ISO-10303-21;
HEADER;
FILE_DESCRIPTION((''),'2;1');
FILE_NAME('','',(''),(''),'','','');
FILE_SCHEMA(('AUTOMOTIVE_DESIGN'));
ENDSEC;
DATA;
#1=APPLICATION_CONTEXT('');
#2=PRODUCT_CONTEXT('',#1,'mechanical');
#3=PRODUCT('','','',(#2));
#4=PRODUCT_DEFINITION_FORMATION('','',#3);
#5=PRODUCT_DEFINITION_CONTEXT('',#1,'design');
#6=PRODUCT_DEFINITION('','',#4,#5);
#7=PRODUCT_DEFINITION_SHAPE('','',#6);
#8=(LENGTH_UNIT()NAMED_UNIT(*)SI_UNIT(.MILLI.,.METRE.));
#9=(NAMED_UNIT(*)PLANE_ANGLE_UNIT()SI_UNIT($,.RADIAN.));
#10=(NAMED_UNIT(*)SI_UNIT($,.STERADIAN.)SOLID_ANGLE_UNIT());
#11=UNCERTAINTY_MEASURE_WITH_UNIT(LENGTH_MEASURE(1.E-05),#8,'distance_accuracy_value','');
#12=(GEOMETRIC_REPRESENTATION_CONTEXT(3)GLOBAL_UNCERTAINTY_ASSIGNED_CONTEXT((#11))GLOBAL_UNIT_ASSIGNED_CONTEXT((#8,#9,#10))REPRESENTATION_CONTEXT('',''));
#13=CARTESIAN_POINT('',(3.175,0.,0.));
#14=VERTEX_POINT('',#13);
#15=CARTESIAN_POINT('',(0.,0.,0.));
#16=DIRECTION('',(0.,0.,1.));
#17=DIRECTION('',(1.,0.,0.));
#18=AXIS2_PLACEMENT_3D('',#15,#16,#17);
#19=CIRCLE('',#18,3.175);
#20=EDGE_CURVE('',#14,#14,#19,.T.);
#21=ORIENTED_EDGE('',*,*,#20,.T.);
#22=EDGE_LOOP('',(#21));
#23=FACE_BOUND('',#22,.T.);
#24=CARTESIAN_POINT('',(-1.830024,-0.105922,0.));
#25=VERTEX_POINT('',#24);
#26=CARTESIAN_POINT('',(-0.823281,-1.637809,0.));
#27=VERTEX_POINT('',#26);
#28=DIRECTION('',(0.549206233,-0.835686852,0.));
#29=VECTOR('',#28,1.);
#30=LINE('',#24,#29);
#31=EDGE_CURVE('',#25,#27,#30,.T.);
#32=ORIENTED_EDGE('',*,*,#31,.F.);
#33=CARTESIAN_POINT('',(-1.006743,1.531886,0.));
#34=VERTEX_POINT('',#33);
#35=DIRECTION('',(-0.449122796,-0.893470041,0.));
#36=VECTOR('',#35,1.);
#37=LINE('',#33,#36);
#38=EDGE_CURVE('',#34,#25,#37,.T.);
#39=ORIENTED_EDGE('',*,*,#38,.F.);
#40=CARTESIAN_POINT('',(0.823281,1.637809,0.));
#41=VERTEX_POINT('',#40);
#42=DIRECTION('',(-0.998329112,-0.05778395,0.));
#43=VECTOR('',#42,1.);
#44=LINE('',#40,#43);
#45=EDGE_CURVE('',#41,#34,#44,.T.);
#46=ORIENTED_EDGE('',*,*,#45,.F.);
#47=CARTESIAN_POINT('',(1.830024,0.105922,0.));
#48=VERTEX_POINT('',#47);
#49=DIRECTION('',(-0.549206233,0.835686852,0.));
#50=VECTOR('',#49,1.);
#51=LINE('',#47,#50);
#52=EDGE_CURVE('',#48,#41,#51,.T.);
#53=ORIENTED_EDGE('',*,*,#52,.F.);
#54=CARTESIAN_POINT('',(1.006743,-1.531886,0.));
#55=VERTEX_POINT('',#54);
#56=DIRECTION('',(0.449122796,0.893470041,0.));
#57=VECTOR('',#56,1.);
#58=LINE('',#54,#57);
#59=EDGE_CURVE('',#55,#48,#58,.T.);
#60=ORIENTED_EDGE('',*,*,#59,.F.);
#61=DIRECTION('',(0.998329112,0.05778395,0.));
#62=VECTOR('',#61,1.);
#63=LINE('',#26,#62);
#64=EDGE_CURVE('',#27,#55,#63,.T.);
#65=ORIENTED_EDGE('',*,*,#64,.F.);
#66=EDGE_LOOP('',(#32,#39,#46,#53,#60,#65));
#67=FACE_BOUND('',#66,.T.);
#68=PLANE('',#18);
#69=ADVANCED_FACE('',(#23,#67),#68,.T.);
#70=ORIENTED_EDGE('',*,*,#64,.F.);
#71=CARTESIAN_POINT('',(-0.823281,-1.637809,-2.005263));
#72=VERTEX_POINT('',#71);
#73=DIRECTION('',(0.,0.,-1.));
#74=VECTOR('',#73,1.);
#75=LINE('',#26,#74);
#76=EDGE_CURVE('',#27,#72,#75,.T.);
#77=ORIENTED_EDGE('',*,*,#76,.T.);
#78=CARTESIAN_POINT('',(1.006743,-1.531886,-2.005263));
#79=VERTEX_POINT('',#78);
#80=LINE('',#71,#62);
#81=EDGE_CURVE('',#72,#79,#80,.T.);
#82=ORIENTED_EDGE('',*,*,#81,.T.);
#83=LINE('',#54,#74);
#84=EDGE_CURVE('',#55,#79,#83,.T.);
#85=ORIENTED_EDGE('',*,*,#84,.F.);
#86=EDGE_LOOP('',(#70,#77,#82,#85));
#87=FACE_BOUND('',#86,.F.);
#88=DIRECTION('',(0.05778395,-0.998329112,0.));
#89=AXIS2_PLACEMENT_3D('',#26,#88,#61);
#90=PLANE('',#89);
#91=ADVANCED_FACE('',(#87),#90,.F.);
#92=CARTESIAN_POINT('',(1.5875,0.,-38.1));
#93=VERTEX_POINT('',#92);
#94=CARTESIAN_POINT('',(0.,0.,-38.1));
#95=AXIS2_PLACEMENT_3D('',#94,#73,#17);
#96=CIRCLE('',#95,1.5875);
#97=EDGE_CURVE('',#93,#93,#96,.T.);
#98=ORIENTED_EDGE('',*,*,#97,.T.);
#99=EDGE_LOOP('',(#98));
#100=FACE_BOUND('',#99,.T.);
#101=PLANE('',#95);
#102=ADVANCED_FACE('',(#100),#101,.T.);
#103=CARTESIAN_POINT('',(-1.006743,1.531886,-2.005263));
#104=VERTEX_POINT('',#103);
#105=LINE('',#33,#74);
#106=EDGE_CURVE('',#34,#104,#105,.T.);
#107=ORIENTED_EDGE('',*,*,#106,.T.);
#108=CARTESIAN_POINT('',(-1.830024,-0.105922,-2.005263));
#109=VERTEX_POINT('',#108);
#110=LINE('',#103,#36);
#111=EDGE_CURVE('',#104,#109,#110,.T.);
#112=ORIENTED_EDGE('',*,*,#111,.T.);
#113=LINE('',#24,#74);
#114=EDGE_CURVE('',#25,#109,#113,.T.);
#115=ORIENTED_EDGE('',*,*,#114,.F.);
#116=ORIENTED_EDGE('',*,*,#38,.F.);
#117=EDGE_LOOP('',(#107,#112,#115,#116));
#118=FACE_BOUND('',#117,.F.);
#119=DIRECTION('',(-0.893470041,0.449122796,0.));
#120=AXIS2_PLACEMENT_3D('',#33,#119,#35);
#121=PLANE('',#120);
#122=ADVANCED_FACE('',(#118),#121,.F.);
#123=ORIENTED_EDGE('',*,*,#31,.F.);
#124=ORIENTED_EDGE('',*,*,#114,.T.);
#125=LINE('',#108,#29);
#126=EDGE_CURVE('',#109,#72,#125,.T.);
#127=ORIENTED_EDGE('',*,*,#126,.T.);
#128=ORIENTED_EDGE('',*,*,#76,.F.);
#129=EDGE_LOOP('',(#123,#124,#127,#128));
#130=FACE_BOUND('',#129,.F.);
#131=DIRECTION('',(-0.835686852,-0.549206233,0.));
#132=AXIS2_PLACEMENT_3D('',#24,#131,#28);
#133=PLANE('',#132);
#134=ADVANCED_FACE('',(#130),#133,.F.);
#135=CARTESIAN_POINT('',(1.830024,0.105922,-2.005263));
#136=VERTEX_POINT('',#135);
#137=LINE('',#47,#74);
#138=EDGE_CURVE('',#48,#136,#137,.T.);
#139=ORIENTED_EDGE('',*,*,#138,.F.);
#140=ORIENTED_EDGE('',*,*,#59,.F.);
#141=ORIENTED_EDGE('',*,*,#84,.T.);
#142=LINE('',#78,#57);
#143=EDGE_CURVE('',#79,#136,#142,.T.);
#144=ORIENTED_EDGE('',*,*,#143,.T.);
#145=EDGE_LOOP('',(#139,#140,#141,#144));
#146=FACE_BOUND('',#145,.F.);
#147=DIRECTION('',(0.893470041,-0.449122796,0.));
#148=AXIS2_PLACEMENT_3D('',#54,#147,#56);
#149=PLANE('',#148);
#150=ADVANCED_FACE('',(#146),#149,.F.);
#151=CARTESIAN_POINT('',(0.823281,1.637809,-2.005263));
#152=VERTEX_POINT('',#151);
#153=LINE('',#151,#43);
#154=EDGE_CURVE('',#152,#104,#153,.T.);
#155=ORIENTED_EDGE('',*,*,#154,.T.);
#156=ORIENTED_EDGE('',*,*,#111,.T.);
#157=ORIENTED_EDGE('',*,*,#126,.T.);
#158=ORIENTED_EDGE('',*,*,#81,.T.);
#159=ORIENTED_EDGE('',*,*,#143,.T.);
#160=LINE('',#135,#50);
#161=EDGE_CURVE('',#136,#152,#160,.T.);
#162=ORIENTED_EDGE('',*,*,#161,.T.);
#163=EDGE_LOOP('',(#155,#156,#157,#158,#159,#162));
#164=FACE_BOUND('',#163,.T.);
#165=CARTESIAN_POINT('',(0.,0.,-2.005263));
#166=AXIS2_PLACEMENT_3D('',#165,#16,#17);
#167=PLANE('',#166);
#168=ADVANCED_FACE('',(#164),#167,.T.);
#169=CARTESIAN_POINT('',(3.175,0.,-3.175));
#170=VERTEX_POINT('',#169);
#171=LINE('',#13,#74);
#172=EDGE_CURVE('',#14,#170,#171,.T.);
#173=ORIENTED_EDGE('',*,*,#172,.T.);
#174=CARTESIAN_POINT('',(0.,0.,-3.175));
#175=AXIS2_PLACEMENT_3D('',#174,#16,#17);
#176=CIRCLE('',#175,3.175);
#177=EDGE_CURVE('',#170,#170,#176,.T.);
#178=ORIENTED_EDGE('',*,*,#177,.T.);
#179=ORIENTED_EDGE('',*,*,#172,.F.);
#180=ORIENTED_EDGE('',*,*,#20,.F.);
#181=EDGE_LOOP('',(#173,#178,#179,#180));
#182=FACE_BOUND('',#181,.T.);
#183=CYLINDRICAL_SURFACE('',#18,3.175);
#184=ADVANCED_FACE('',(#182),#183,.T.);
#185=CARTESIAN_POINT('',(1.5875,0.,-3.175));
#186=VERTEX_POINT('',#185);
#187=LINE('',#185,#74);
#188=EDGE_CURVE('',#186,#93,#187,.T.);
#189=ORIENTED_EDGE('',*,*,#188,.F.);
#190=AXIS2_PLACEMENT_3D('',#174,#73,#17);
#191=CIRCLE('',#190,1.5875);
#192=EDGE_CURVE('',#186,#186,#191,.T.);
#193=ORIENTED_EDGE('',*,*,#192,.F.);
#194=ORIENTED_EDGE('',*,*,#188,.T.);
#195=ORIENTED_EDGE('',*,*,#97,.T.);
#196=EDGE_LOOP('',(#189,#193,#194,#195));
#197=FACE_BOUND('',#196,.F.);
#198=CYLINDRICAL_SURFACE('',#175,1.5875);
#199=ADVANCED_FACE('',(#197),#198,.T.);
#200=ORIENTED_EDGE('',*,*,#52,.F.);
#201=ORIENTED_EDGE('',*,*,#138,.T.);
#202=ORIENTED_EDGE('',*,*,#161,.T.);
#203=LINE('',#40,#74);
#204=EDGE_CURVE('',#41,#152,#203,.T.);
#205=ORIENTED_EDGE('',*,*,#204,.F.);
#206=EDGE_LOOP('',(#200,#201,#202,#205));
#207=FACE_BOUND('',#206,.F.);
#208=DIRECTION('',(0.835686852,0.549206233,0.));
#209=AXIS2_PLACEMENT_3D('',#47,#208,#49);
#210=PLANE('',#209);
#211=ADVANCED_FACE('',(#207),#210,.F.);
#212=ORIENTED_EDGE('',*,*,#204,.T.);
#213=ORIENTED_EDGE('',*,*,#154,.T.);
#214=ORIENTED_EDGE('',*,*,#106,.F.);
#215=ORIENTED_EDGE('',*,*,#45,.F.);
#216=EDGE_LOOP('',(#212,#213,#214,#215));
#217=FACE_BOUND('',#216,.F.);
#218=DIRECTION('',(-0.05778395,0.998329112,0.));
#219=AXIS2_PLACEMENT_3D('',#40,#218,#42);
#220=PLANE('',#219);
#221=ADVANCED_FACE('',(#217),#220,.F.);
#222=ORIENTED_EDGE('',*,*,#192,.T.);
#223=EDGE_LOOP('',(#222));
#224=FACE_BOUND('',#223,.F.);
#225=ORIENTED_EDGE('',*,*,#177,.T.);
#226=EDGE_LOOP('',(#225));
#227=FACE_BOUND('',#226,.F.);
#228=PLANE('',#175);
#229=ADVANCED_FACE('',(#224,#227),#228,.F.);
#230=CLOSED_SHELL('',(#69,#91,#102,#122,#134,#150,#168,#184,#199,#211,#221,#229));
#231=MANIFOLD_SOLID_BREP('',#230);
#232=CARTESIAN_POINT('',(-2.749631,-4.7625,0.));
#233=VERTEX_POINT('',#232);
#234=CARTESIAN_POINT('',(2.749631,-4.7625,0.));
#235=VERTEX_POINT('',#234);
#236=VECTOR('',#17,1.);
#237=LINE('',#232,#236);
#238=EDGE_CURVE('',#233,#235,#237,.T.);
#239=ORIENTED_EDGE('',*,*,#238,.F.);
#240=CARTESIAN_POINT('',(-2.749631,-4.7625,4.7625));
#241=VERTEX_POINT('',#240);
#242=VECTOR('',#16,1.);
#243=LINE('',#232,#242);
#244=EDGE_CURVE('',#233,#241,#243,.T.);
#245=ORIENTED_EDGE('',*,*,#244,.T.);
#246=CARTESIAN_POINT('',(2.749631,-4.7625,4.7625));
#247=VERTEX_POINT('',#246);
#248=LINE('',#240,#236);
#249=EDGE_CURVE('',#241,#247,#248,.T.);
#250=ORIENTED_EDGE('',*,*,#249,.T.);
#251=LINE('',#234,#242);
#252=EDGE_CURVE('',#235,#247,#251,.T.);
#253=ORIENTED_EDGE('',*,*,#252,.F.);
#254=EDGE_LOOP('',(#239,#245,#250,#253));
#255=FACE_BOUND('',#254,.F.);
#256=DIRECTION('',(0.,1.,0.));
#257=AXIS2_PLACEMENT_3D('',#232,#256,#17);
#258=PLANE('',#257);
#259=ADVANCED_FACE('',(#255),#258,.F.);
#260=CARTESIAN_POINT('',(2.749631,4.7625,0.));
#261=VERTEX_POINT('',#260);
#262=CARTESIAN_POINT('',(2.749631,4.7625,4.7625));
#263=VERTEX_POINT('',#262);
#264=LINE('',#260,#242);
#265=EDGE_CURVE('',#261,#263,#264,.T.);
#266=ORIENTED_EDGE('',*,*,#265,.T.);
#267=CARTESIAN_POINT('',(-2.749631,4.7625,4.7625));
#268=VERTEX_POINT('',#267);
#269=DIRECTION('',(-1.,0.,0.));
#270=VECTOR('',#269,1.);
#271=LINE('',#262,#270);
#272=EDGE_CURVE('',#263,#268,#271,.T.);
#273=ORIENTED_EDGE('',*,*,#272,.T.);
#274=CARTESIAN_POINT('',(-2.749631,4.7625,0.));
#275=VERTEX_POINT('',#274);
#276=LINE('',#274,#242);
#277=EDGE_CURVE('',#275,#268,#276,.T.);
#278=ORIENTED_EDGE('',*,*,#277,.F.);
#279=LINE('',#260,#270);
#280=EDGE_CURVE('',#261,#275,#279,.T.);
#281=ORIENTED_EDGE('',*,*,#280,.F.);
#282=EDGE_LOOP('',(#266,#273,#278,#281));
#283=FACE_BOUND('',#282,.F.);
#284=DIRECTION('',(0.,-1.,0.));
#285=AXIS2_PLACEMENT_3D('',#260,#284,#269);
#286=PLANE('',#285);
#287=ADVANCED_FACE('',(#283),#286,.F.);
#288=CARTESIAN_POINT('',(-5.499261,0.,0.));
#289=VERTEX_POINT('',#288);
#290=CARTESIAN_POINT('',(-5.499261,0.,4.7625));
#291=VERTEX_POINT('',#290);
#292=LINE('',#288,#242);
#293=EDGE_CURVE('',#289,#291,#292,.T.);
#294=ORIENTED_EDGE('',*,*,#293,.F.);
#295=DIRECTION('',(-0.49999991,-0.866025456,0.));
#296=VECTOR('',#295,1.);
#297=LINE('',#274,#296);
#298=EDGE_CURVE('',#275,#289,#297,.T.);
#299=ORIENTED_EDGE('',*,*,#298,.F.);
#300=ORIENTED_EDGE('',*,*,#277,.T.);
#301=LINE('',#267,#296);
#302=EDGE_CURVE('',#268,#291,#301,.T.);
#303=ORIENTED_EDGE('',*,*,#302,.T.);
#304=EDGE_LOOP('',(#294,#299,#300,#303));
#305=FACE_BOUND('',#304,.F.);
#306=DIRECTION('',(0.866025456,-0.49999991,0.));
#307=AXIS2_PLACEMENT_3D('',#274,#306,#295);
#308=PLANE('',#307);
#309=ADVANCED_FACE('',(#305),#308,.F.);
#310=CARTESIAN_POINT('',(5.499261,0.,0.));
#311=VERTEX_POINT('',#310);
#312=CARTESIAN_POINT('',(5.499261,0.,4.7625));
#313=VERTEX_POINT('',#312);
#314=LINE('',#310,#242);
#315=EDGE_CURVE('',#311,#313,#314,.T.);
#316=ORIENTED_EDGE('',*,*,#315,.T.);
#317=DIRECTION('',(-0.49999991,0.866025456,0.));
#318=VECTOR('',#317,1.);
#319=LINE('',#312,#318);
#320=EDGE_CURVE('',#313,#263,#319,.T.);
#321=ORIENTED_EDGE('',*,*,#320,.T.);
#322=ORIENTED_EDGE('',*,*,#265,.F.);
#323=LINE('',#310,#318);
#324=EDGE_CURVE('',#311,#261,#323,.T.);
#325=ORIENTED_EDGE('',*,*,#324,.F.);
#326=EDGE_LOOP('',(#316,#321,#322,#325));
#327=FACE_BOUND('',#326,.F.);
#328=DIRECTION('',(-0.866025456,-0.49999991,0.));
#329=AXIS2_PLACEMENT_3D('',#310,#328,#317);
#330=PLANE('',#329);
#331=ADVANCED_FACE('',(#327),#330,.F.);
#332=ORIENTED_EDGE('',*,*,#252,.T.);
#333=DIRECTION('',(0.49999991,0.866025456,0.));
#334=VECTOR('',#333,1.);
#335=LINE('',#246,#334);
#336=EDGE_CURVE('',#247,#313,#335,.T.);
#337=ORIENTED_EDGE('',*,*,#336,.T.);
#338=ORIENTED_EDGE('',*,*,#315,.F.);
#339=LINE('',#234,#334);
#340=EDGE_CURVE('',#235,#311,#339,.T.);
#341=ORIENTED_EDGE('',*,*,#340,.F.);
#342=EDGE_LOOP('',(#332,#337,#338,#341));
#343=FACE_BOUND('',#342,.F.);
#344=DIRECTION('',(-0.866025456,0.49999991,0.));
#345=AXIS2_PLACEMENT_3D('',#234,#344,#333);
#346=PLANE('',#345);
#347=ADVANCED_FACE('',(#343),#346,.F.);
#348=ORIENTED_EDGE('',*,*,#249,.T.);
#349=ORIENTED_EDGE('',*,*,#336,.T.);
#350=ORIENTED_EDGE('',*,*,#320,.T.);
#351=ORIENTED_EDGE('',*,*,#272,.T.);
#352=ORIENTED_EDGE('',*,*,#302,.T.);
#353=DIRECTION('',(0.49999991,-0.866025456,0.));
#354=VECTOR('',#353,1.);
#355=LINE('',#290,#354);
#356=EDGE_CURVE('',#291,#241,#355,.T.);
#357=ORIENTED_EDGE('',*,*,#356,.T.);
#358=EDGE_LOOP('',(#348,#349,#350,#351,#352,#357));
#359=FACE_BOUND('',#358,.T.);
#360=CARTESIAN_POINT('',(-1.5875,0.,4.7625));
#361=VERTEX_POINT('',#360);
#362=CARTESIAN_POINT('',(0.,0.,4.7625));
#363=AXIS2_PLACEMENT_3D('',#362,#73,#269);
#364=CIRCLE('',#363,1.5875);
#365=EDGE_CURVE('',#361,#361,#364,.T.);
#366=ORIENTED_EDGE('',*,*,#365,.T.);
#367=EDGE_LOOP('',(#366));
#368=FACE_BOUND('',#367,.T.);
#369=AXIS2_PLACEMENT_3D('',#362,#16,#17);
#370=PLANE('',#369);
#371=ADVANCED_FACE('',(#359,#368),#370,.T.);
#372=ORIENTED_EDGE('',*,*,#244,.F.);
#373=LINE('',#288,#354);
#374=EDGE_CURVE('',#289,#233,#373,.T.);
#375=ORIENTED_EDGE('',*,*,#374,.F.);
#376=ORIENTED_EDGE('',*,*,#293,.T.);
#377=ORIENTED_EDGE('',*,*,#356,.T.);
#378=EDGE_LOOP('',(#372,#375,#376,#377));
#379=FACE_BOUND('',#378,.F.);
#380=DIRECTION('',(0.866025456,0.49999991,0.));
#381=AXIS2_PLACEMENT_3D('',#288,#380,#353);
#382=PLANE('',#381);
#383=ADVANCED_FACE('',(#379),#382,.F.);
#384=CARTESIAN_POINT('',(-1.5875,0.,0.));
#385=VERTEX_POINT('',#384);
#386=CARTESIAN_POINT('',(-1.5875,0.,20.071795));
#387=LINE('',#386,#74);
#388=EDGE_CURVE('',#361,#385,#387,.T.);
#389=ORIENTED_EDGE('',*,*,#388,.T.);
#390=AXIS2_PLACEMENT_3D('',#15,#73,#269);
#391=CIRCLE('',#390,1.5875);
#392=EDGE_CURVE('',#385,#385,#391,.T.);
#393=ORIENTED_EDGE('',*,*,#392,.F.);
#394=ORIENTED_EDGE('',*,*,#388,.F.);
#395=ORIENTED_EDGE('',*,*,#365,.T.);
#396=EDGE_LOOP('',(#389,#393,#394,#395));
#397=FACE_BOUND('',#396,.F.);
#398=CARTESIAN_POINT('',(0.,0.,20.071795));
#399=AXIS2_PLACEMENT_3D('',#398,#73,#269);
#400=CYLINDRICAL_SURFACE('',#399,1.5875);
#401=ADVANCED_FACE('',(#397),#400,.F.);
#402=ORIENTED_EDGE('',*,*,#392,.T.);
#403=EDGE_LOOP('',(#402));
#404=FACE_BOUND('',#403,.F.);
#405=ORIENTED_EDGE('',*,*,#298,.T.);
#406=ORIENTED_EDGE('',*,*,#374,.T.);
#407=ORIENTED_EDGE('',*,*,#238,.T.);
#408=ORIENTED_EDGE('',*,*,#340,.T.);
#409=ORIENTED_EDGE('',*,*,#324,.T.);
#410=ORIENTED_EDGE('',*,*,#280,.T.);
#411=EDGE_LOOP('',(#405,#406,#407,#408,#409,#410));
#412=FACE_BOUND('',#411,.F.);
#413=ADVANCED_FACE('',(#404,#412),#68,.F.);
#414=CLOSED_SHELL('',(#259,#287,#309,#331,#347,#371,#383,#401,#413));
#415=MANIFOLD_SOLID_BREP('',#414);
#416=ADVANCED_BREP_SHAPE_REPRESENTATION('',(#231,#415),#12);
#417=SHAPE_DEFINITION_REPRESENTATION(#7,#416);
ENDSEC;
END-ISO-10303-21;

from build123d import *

# Parameters (mm, degrees)
F1_DEPTH  = 4.7625
F3_D      = 3.175
F4_R      = 3.175
F5_DEPTH  = 3.175
F7_R      = 1.5875
F8_DEPTH  = 34.925
F10_DEPTH = 2.005263


with BuildPart() as f1:
    # F0 (on Top) → F1 (new body)
    with BuildSketch(Plane.XY):
        Polygon((-2.749631, -4.7625), (2.749631, -4.7625), (5.499261, 0), (2.749631, 4.7625), (-2.749631, 4.7625), (-5.499261, 0), align=None)
    extrude(amount=F1_DEPTH)

    # F3 (through all)
    with Locations(Plane.XY.offset(4.7625)):
        with Locations((0, 0)):
            Hole(F3_D / 2)


with BuildPart() as f5:
    # F4 (on Top) → F5 (new body)
    with BuildSketch(Plane.XY):
        Circle(F4_R)
    extrude(amount=-F5_DEPTH)

    # F7 (on face) → F8 (join)
    with BuildSketch(Plane(origin=(0, 0, -3.175), x_dir=(1, 0, 0), z_dir=(0, 0, -1))):
        Circle(F7_R)
    extrude(amount=F8_DEPTH)

    # F9 (on Top) → F10 (cut)
    with BuildSketch(Plane.XY):
        Polygon((1.830024, 0.105922), (0.823281, 1.637809), (-1.006743, 1.531886), (-1.830024, -0.105922), (-0.823281, -1.637809), (1.006743, -1.531886), align=None)
    extrude(amount=-F10_DEPTH, mode=Mode.SUBTRACT)


solid = Compound([f1.part, f5.part])
